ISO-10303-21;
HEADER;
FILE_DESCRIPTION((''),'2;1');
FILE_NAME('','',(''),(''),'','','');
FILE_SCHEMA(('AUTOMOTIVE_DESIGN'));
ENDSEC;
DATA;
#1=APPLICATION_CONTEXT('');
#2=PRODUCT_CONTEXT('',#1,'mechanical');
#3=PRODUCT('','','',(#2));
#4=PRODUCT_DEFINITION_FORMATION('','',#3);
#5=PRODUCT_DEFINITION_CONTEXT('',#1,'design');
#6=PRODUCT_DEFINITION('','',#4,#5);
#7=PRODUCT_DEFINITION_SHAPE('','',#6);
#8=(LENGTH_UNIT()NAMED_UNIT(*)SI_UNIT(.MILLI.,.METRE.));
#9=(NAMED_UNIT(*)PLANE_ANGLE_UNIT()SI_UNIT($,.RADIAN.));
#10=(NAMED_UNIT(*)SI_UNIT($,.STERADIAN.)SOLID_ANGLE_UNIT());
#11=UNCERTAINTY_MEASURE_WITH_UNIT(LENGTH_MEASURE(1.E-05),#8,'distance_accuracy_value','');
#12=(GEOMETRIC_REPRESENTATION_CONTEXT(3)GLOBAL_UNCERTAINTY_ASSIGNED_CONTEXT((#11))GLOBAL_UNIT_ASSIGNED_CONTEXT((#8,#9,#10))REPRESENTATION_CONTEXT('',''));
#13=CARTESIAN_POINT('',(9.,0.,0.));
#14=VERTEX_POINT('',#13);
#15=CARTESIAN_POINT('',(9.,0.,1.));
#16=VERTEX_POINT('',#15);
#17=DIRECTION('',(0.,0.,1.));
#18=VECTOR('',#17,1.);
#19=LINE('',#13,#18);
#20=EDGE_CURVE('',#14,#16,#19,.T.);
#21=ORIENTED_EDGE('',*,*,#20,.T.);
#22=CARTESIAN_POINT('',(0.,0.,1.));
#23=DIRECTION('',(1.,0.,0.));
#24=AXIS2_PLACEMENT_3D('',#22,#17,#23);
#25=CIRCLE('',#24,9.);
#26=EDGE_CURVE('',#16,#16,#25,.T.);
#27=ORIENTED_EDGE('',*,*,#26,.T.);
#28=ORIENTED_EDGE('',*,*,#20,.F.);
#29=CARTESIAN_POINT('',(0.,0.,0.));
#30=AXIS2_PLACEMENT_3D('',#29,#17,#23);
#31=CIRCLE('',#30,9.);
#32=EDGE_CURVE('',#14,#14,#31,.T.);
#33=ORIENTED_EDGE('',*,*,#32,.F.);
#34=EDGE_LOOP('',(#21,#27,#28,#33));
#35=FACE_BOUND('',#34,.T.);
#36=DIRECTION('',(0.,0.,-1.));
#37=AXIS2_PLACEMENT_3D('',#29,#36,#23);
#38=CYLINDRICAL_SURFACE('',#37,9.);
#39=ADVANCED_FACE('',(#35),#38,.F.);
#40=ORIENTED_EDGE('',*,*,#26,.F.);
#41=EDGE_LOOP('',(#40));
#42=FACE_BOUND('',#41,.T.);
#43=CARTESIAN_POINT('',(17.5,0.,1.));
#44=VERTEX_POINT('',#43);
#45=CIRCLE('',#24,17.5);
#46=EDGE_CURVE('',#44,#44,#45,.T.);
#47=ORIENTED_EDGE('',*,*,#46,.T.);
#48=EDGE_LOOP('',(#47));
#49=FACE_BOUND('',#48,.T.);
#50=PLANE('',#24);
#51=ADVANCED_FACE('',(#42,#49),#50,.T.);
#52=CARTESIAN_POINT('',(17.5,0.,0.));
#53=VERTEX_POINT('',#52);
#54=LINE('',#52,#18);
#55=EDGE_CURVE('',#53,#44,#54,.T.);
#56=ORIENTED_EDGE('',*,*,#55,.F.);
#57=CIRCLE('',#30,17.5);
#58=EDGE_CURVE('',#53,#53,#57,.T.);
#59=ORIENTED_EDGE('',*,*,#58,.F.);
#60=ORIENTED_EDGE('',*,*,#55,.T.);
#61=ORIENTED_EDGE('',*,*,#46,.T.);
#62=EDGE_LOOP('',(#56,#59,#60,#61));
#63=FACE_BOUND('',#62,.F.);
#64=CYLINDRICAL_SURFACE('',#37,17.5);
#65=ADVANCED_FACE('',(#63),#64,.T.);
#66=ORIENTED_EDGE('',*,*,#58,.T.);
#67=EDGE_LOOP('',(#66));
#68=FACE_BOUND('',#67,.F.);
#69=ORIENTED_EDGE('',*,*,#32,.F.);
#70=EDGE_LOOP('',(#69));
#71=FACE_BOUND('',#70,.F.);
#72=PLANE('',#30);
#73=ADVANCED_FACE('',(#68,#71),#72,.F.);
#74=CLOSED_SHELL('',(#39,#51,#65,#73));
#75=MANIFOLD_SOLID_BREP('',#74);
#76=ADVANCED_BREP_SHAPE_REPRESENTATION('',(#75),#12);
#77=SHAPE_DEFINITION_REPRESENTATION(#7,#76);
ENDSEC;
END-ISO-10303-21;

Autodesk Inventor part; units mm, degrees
ref_plane "YZ Plane" through (0, 0, 0) normal (1, 0, 0) x (0, 1, 0)
ref_plane "XZ Plane" through (0, 0, 0) normal (0, 1, 0) x (-1, 0, 0)
ref_plane "XY Plane" through (0, 0, 0) normal (0, 0, 1) x (1, 0, 0)
sketch "Sketch1" plane through (0, 0, 0) normal (0, 0, 1) x (1, 0, 0)
  circle A0 centre (0, 0) radius 17.5
  circle A1 centre (0, 0) radius 9
  dimension "d0" = 35
  dimension "d1" = 18
extrude "Extrusion1" add sketch "Sketch1" along normal blind 1
properties part number "skirt-lid-for-grooved-targetr" material "Stainless Steel"
